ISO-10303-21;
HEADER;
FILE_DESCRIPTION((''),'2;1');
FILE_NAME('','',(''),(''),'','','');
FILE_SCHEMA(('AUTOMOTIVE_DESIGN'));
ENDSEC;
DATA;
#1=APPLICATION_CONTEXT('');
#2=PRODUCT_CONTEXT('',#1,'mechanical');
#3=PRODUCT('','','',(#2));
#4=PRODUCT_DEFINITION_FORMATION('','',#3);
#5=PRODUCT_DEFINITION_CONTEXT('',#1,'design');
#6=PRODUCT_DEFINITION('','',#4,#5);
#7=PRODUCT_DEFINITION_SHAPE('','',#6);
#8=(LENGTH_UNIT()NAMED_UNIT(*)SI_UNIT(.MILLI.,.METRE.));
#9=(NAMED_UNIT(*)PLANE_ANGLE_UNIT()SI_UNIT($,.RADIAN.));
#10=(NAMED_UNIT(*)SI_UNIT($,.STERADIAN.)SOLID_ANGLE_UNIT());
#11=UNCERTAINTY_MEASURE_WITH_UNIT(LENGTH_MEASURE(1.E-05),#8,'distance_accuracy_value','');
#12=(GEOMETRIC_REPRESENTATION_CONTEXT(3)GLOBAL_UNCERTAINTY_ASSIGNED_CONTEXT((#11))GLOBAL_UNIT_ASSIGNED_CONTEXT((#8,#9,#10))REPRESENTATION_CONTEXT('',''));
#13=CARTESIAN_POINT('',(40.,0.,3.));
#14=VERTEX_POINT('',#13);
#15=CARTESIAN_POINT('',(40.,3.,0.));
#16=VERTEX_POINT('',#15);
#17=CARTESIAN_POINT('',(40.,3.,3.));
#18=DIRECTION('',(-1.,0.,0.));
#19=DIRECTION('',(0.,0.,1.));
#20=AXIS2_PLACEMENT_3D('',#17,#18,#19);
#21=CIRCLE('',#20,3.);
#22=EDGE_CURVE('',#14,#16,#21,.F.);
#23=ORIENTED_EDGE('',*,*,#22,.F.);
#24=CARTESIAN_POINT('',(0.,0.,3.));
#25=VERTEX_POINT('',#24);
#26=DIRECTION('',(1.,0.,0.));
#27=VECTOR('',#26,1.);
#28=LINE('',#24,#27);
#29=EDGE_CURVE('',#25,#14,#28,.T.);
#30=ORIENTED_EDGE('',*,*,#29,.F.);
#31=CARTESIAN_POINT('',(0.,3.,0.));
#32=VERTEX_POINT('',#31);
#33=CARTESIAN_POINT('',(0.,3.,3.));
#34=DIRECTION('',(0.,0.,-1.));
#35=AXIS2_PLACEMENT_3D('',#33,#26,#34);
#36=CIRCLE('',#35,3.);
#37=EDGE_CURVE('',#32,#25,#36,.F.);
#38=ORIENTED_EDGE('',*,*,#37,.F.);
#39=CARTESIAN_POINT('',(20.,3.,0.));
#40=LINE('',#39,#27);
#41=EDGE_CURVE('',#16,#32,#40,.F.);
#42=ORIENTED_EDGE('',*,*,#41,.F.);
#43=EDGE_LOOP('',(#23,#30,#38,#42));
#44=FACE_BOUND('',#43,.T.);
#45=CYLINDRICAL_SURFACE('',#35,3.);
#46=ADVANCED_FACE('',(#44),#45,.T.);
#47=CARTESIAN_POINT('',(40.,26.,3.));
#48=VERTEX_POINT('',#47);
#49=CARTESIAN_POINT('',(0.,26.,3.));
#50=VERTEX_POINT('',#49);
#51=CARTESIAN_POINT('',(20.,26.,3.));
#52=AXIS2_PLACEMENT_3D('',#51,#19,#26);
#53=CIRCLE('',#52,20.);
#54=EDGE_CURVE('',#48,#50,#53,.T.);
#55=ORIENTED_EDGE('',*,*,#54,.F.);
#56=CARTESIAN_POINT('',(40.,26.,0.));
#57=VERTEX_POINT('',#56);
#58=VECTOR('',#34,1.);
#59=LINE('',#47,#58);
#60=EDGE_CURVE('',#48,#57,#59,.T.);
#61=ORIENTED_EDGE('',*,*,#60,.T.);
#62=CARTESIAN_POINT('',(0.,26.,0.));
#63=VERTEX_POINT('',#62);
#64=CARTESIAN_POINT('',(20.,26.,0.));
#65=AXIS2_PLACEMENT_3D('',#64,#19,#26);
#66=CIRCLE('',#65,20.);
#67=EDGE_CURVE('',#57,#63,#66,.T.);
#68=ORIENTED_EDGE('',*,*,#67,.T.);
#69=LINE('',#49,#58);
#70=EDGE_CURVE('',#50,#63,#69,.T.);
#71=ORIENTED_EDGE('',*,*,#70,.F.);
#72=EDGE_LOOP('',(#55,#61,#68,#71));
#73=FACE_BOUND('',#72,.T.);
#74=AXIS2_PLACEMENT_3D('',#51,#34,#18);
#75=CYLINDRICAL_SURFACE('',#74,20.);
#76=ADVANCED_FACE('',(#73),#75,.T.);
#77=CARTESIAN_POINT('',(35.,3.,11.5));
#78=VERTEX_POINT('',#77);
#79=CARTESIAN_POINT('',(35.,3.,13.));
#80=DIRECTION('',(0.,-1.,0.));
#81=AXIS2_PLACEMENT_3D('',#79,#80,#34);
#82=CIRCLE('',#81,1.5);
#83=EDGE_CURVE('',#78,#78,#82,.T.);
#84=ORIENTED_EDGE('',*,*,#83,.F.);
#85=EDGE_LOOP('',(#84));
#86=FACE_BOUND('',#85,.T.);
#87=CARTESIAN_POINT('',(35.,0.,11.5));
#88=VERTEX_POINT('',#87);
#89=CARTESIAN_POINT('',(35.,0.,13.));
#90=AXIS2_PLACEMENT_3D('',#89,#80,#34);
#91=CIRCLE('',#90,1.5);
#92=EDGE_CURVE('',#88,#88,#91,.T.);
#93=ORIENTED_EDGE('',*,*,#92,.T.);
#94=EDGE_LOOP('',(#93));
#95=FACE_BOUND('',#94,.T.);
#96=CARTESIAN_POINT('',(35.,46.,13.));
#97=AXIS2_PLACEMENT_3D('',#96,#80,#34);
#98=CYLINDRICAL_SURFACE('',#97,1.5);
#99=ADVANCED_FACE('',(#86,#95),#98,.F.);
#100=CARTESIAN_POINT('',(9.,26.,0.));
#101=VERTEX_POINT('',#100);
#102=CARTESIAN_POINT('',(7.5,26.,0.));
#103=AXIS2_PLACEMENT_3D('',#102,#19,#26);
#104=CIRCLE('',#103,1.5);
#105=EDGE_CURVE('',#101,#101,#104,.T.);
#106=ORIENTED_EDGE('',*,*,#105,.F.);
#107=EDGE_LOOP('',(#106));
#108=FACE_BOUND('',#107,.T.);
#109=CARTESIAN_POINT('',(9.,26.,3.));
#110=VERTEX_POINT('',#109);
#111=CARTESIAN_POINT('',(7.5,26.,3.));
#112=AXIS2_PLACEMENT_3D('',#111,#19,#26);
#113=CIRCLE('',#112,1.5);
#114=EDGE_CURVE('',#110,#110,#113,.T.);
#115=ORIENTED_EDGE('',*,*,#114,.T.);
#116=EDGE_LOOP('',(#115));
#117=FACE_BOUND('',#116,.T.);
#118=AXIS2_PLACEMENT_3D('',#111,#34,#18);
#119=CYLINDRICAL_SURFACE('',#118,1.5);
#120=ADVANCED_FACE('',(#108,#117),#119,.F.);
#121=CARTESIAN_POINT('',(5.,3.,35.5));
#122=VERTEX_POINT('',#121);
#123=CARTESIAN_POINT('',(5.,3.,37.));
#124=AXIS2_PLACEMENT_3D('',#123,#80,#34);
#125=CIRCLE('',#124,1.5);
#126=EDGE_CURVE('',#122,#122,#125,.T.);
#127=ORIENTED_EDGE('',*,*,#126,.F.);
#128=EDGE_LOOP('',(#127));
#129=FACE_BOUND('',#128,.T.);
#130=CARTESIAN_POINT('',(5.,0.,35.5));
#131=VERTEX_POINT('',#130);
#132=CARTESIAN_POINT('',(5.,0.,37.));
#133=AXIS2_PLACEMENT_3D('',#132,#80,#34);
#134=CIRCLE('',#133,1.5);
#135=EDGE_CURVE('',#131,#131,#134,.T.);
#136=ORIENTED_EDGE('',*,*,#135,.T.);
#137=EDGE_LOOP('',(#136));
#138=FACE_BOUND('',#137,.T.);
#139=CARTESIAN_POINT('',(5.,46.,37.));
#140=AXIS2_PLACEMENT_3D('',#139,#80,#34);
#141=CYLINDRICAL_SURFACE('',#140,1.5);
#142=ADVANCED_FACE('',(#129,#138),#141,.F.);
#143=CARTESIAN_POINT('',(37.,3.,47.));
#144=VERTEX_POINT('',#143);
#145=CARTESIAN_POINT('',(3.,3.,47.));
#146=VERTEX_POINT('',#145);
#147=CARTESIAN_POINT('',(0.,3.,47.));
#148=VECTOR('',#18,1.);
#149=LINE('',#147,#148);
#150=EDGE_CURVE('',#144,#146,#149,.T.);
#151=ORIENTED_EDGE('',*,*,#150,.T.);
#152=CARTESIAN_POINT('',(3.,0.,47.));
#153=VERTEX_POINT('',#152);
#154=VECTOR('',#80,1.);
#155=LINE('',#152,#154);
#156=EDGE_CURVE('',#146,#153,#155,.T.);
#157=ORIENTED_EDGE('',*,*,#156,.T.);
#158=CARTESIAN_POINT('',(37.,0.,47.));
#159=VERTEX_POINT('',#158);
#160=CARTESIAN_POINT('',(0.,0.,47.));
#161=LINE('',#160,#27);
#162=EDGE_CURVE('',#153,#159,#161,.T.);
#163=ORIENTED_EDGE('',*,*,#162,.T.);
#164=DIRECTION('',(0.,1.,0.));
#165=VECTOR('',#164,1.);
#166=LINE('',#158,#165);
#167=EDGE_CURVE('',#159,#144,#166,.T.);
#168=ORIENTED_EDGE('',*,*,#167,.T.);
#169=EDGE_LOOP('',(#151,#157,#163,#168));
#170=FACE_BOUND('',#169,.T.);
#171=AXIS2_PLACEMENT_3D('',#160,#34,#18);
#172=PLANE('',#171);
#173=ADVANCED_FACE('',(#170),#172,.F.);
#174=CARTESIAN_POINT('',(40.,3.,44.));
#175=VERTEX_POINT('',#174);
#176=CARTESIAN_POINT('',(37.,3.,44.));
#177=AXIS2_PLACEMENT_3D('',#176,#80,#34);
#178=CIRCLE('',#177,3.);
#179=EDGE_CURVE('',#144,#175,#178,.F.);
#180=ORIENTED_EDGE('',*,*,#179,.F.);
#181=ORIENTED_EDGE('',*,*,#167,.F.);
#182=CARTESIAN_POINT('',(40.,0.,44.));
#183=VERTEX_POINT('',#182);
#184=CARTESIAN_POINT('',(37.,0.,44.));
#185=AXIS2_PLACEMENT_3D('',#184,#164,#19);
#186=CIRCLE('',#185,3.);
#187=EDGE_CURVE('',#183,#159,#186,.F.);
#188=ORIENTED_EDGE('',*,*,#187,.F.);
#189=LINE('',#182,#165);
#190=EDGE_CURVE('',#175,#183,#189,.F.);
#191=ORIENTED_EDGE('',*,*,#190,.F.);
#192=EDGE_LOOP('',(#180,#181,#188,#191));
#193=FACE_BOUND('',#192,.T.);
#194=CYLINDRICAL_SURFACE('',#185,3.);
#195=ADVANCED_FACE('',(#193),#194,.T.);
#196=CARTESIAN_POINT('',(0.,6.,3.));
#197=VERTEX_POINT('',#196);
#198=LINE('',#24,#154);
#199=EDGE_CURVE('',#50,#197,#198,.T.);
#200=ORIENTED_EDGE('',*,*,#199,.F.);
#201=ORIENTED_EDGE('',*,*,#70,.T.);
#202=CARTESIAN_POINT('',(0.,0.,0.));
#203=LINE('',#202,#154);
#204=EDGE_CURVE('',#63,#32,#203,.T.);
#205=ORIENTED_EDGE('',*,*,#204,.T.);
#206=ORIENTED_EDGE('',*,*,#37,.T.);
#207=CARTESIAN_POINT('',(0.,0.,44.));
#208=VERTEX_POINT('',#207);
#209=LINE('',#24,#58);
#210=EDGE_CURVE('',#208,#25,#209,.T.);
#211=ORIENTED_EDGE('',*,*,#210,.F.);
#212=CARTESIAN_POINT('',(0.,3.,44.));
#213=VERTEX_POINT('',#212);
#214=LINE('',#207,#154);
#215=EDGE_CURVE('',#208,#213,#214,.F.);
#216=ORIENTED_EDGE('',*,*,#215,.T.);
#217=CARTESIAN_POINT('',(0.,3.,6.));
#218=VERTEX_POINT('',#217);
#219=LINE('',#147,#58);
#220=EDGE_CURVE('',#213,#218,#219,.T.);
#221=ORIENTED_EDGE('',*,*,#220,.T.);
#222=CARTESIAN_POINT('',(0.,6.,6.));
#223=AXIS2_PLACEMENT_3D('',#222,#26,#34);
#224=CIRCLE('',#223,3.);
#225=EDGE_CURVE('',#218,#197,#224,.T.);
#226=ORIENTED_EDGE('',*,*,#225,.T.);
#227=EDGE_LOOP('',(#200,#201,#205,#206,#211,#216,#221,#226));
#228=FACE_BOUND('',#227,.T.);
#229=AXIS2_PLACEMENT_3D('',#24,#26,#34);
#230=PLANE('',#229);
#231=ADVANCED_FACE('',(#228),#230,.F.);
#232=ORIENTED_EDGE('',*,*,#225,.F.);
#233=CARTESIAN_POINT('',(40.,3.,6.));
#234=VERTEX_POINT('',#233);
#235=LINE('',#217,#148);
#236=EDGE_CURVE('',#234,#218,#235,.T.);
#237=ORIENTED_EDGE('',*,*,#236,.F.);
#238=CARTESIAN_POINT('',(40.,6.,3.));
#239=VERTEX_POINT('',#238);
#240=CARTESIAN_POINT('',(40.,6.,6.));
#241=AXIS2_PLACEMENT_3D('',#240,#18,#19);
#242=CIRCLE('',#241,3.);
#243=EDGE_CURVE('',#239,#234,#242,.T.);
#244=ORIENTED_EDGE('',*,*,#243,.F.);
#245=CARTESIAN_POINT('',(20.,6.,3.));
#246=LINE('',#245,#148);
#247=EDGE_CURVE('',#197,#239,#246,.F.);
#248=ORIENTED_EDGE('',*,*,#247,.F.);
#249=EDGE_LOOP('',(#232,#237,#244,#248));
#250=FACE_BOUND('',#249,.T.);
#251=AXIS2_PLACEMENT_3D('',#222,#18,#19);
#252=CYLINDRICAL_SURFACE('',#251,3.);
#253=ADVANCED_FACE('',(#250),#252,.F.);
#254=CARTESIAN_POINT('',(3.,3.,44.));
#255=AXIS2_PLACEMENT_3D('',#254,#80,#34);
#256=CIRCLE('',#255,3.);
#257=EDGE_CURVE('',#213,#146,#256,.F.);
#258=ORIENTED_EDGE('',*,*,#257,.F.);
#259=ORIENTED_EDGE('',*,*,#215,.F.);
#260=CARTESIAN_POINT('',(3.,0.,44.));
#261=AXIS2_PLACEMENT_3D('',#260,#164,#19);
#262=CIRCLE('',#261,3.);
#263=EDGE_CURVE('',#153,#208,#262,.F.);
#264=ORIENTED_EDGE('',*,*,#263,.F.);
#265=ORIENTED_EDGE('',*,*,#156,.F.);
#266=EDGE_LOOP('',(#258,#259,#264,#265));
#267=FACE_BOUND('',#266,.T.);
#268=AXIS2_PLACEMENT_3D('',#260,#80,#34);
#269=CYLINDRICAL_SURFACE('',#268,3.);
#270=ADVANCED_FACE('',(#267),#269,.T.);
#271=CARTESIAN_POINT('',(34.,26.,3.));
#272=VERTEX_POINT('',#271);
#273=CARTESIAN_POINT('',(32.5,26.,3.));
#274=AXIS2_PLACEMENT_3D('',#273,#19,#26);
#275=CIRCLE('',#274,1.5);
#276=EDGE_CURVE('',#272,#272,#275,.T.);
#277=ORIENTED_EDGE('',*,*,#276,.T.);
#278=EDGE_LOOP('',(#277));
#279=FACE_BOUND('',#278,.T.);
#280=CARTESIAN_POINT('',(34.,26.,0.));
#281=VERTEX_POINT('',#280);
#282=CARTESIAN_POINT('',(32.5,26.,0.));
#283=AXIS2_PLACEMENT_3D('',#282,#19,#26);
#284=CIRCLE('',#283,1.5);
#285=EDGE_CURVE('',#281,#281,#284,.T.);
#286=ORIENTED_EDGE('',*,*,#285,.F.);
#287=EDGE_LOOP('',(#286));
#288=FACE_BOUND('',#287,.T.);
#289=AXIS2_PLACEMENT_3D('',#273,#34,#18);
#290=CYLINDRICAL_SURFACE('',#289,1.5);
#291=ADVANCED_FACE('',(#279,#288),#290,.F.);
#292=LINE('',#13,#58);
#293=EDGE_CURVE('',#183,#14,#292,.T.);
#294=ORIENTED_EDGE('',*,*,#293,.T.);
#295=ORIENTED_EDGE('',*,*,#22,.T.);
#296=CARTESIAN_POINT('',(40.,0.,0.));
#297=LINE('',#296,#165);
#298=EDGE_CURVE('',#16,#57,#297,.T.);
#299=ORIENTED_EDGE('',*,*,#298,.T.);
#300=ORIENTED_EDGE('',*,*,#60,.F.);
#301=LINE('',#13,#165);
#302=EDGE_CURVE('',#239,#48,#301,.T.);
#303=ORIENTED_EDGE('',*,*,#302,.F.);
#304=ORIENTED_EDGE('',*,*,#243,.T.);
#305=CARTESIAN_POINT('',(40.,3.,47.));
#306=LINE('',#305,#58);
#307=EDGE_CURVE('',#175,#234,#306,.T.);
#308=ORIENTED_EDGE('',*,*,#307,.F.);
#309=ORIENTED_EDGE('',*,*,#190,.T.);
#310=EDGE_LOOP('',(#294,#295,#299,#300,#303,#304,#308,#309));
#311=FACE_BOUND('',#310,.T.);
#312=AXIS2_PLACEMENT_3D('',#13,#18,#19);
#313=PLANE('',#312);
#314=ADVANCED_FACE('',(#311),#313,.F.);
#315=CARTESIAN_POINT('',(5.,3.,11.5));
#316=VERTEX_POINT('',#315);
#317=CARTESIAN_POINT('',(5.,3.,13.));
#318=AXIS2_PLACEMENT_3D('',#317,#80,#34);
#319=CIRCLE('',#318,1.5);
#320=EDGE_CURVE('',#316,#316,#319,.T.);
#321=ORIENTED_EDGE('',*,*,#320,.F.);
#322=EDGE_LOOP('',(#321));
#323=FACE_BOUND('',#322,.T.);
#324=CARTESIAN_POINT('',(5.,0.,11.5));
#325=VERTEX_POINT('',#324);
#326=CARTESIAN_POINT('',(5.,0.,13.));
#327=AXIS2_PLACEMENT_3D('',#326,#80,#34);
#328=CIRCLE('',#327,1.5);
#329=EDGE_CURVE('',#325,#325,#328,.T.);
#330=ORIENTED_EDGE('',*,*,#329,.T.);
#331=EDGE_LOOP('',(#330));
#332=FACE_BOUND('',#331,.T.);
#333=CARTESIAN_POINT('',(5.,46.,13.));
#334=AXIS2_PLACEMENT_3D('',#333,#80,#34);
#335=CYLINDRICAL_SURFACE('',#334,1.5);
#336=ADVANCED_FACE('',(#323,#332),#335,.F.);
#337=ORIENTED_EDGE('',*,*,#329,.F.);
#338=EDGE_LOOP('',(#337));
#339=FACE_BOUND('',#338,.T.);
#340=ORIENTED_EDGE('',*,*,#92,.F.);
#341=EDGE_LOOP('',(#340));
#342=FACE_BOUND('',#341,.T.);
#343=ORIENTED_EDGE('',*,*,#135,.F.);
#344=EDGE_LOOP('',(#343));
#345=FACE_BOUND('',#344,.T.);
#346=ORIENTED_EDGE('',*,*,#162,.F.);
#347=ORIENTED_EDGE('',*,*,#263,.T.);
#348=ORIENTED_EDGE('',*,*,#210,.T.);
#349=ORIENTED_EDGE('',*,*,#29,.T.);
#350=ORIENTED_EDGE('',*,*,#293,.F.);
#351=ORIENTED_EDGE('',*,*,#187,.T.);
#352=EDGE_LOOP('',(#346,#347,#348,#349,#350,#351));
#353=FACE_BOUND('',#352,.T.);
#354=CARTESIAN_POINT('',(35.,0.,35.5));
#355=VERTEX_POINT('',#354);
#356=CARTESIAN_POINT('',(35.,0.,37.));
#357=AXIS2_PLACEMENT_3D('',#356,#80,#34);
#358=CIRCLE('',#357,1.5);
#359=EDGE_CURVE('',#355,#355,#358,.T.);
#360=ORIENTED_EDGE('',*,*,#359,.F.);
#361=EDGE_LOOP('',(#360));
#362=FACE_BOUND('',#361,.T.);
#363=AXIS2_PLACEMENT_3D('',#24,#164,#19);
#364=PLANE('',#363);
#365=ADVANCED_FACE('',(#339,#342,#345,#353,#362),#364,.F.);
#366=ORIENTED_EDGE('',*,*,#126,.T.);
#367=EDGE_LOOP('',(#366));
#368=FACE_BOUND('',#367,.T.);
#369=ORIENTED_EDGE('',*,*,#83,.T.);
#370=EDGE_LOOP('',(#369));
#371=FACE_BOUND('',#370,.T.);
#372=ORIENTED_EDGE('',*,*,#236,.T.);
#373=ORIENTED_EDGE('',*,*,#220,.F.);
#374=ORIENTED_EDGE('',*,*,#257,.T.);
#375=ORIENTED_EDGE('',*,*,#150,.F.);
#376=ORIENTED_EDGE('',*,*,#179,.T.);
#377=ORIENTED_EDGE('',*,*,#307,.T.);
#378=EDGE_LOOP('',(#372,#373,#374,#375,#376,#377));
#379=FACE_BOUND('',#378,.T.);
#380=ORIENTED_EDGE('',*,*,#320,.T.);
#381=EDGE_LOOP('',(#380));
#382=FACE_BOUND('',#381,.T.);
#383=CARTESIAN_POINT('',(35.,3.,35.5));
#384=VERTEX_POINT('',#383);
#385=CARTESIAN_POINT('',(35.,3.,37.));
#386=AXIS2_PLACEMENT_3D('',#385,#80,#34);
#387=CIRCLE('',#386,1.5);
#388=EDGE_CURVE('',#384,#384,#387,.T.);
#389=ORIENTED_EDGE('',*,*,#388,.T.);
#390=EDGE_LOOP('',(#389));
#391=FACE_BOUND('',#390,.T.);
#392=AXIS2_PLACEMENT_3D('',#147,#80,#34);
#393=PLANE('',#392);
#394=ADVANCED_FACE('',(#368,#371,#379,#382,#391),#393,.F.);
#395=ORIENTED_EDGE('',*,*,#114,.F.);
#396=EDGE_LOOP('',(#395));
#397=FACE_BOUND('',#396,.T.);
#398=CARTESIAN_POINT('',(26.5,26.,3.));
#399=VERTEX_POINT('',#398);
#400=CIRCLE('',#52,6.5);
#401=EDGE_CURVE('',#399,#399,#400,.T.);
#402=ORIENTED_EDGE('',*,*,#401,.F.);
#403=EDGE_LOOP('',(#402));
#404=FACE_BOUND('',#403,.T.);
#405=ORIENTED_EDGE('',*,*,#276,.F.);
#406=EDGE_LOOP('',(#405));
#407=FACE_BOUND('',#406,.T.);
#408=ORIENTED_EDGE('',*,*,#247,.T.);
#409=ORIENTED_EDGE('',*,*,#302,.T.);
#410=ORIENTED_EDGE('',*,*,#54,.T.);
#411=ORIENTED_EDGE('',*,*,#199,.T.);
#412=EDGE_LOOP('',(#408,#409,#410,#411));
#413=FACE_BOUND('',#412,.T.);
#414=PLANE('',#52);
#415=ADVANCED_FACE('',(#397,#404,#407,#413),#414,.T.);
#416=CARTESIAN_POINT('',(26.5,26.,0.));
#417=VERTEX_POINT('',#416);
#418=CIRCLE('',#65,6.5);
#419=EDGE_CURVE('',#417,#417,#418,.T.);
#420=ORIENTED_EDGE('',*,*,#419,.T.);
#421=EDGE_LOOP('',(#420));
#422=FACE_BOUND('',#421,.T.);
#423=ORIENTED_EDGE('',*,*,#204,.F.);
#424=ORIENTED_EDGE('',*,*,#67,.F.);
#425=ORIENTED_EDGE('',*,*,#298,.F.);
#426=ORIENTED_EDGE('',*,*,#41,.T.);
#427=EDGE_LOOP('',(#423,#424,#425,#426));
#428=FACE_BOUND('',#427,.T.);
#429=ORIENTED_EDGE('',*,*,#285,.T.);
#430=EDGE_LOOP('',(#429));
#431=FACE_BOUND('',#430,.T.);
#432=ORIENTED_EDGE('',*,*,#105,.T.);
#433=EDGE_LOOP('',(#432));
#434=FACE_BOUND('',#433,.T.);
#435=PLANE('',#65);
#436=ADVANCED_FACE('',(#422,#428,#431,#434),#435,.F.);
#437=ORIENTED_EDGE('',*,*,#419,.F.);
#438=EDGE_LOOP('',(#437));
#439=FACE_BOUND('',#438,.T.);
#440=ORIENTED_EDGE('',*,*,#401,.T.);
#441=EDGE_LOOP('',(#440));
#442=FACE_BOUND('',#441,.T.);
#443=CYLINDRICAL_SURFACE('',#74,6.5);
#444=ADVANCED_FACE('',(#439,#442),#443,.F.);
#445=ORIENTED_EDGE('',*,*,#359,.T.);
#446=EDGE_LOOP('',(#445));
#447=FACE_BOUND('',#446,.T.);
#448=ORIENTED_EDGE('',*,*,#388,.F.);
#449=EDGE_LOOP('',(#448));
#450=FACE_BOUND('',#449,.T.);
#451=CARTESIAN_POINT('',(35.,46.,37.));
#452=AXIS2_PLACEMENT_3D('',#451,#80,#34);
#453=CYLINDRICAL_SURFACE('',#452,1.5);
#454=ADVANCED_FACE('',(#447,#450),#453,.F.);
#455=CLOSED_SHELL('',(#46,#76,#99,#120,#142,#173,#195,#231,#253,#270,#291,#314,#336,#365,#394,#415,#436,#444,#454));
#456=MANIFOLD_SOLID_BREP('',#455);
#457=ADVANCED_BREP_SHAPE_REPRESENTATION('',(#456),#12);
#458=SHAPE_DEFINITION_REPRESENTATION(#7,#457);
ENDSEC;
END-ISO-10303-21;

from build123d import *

# Parameters (mm, degrees)
SKETCH_1_R          = 6.5
SKETCH_1_R_2        = 1.5
EXTRUDE_1_DEPTH     = 3
SKETCH_2_W          = 40
SKETCH_2_H          = 3
EXTRUDE_2_DEPTH     = 44
FILLET_4_R          = 3
SKETCH_3_R          = 1.5
CUT_EXTRUDE_1_DEPTH = 77.974021592
FILLET_5_R          = 3
FILLET_6_R          = 3


with BuildPart() as part:
    # Эскиз1 → Бобышка-Вытянуть1 (new body)
    with BuildSketch(Plane.XY):
        with BuildLine():
            Line((0, 0), (40, 0))
            Line((40, 0), (40, 26))
            ThreePointArc((40, 26), (20, 46), (0, 26))
            Line((0, 26), (0, 0))
        make_face()
        with Locations((20, 26)):
            Circle(SKETCH_1_R, mode=Mode.SUBTRACT)
        with Locations((32.5, 26)):
            Circle(SKETCH_1_R_2, mode=Mode.SUBTRACT)
        with Locations((7.5, 26)):
            Circle(SKETCH_1_R_2, mode=Mode.SUBTRACT)
    extrude(amount=EXTRUDE_1_DEPTH)

    # Эскиз2 → Бобышка-Вытянуть2 (add)
    with BuildSketch(Plane.XY.offset(3)):
        with Locations((20, 1.5)):
            Rectangle(SKETCH_2_W, SKETCH_2_H)
    extrude(amount=EXTRUDE_2_DEPTH)

    # Скругление4
    fillet_4_edges = [part.edges().sort_by_distance(p)[0] for p in [
        (20, 0, 0),
    ]]
    fillet(fillet_4_edges, radius=FILLET_4_R)

    # Эскиз3 → Вырез-Вытянуть1 (cut, through all)
    with BuildSketch(Plane.XZ):
        with Locations(Location((5, 37, 0), (0, 0, 270))):
            Circle(SKETCH_3_R)
        with Locations(Location((35, 37, 0), (0, 0, 270))):
            Circle(SKETCH_3_R)
        with Locations(Location((5, 13, 0), (0, 0, 270))):
            Circle(SKETCH_3_R)
        with Locations(Location((35, 13, 0), (0, 0, 270))):
            Circle(SKETCH_3_R)
    extrude(amount=-CUT_EXTRUDE_1_DEPTH, mode=Mode.SUBTRACT)

    # Скругление5
    fillet_5_edges = [part.edges().sort_by_distance(p)[0] for p in [
        (20, 3, 3),
    ]]
    fillet(fillet_5_edges, radius=FILLET_5_R)

    # Скругление6
    fillet_6_edges = [part.edges().sort_by_distance(p)[0] for p in [
        (40, 1.5, 47),
        (0, 1.5, 47),
    ]]
    fillet(fillet_6_edges, radius=FILLET_6_R)


solid = part.part
